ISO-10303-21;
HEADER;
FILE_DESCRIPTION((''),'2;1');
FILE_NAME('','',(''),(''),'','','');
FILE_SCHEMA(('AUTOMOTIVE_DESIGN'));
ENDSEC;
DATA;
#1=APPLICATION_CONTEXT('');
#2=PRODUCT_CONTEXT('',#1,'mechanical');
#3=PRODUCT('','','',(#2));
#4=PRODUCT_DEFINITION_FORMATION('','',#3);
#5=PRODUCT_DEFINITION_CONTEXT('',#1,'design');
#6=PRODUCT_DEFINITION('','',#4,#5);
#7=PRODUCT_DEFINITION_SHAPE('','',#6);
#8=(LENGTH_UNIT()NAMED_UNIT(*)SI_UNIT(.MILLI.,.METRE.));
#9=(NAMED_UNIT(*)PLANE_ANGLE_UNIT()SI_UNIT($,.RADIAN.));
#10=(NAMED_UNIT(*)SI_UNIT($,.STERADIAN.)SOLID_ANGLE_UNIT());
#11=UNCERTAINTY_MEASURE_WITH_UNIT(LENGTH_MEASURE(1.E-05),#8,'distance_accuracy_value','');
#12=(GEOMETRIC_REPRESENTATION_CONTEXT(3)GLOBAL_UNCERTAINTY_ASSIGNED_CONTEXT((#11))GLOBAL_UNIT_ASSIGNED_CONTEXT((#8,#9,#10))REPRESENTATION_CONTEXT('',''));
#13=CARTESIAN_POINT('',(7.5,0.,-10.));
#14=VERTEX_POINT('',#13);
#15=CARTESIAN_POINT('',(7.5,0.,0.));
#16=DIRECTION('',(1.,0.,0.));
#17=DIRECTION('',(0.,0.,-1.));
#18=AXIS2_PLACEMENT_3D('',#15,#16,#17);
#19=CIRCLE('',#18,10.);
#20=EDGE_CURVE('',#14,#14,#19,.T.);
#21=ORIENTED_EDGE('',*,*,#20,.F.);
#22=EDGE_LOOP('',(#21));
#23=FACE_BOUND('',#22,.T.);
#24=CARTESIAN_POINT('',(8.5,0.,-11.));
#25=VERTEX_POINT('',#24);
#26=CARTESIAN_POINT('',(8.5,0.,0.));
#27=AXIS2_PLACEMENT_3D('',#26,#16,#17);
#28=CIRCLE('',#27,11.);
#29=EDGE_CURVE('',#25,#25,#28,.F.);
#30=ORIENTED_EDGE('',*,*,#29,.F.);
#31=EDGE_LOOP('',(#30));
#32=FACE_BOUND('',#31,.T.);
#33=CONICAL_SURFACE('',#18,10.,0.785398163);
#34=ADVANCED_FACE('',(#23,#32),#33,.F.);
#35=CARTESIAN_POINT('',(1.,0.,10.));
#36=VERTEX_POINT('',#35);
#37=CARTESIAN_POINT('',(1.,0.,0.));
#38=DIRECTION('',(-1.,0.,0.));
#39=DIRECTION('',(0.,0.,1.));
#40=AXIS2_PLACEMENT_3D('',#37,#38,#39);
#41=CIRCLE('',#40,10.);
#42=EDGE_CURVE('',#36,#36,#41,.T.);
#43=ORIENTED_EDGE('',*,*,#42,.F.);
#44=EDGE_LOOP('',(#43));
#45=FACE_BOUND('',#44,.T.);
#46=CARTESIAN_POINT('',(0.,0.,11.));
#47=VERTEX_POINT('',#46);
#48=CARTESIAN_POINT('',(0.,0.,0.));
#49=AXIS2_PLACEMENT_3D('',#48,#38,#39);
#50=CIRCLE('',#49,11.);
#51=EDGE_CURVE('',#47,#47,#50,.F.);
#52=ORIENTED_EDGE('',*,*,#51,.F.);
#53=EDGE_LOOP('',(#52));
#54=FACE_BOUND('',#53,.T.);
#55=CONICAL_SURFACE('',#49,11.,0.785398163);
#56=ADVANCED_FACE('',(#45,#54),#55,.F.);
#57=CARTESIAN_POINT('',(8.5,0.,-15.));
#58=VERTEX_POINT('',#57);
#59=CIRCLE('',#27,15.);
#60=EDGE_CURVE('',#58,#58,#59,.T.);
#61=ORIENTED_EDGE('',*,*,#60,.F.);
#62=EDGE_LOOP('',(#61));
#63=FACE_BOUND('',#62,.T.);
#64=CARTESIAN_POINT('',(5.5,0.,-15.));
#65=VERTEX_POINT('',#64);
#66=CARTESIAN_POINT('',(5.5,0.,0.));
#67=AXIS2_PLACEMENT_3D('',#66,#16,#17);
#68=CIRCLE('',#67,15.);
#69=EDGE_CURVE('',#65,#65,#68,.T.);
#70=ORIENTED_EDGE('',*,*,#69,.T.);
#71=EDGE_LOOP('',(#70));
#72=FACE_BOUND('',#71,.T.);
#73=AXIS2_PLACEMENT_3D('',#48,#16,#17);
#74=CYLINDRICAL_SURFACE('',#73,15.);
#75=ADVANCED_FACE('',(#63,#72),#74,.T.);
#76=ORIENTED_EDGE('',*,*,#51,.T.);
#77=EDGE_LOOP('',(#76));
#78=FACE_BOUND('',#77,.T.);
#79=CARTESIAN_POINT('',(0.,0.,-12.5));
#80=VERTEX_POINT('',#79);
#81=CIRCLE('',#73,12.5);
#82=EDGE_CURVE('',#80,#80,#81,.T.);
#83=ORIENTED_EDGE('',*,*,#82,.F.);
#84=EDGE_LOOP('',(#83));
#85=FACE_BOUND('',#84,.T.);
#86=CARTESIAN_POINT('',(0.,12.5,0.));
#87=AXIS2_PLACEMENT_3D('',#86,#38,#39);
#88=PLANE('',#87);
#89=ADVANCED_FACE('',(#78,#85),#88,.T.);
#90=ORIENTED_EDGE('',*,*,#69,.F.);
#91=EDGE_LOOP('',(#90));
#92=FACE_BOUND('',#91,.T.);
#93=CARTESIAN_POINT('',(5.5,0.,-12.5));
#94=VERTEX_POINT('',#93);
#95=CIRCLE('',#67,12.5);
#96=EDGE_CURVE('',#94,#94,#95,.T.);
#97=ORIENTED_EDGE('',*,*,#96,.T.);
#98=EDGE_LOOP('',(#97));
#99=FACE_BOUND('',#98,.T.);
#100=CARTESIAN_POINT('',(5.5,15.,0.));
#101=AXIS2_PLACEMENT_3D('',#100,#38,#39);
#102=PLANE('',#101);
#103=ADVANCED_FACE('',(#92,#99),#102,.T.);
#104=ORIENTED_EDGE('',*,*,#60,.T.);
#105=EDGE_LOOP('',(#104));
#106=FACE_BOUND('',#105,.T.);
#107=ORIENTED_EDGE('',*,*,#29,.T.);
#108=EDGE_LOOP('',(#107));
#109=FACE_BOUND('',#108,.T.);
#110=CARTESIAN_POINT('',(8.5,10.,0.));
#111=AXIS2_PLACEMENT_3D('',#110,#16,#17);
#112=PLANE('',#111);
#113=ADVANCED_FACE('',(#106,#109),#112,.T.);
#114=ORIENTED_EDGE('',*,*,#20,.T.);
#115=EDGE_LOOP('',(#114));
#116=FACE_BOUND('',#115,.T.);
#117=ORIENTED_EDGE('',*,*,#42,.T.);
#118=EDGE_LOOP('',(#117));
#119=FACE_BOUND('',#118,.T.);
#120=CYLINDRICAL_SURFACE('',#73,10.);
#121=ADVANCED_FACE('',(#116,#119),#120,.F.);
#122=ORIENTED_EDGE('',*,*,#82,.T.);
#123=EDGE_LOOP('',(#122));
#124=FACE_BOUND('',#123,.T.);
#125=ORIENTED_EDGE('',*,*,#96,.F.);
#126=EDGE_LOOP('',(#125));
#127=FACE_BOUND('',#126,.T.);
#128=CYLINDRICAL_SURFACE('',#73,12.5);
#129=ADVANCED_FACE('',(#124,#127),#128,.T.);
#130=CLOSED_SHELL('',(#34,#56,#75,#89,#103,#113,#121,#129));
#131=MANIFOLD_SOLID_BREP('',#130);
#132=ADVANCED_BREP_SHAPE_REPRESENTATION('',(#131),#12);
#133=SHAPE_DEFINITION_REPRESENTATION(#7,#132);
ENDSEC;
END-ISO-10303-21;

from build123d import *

# Parameters (mm, degrees)
CHAMFER_1_SIZE = 1


with BuildPart() as part:
    # 草图1 → 旋转1 (revolve)
    with BuildSketch(Plane.XY, mode=Mode.PRIVATE) as revolve_1_sk:
        Polygon((0, 10), (8.5, 10), (8.5, 15), (5.5, 15), (5.5, 12.5), (0, 12.5), align=None)
    revolve(revolve_1_sk.sketch.rotate(Axis((0, 0, 0), (-1, 0, 0)), 90), axis=Axis((0, 0, 0), (-1, 0, 0)))

    # 倒角1
    chamfer_1_edges = [part.edges().sort_by_distance(p)[0] for p in [
        (8.5, 0, 10),
        (0, 0, 10),
    ]]
    chamfer(chamfer_1_edges, length=CHAMFER_1_SIZE)


solid = part.part
